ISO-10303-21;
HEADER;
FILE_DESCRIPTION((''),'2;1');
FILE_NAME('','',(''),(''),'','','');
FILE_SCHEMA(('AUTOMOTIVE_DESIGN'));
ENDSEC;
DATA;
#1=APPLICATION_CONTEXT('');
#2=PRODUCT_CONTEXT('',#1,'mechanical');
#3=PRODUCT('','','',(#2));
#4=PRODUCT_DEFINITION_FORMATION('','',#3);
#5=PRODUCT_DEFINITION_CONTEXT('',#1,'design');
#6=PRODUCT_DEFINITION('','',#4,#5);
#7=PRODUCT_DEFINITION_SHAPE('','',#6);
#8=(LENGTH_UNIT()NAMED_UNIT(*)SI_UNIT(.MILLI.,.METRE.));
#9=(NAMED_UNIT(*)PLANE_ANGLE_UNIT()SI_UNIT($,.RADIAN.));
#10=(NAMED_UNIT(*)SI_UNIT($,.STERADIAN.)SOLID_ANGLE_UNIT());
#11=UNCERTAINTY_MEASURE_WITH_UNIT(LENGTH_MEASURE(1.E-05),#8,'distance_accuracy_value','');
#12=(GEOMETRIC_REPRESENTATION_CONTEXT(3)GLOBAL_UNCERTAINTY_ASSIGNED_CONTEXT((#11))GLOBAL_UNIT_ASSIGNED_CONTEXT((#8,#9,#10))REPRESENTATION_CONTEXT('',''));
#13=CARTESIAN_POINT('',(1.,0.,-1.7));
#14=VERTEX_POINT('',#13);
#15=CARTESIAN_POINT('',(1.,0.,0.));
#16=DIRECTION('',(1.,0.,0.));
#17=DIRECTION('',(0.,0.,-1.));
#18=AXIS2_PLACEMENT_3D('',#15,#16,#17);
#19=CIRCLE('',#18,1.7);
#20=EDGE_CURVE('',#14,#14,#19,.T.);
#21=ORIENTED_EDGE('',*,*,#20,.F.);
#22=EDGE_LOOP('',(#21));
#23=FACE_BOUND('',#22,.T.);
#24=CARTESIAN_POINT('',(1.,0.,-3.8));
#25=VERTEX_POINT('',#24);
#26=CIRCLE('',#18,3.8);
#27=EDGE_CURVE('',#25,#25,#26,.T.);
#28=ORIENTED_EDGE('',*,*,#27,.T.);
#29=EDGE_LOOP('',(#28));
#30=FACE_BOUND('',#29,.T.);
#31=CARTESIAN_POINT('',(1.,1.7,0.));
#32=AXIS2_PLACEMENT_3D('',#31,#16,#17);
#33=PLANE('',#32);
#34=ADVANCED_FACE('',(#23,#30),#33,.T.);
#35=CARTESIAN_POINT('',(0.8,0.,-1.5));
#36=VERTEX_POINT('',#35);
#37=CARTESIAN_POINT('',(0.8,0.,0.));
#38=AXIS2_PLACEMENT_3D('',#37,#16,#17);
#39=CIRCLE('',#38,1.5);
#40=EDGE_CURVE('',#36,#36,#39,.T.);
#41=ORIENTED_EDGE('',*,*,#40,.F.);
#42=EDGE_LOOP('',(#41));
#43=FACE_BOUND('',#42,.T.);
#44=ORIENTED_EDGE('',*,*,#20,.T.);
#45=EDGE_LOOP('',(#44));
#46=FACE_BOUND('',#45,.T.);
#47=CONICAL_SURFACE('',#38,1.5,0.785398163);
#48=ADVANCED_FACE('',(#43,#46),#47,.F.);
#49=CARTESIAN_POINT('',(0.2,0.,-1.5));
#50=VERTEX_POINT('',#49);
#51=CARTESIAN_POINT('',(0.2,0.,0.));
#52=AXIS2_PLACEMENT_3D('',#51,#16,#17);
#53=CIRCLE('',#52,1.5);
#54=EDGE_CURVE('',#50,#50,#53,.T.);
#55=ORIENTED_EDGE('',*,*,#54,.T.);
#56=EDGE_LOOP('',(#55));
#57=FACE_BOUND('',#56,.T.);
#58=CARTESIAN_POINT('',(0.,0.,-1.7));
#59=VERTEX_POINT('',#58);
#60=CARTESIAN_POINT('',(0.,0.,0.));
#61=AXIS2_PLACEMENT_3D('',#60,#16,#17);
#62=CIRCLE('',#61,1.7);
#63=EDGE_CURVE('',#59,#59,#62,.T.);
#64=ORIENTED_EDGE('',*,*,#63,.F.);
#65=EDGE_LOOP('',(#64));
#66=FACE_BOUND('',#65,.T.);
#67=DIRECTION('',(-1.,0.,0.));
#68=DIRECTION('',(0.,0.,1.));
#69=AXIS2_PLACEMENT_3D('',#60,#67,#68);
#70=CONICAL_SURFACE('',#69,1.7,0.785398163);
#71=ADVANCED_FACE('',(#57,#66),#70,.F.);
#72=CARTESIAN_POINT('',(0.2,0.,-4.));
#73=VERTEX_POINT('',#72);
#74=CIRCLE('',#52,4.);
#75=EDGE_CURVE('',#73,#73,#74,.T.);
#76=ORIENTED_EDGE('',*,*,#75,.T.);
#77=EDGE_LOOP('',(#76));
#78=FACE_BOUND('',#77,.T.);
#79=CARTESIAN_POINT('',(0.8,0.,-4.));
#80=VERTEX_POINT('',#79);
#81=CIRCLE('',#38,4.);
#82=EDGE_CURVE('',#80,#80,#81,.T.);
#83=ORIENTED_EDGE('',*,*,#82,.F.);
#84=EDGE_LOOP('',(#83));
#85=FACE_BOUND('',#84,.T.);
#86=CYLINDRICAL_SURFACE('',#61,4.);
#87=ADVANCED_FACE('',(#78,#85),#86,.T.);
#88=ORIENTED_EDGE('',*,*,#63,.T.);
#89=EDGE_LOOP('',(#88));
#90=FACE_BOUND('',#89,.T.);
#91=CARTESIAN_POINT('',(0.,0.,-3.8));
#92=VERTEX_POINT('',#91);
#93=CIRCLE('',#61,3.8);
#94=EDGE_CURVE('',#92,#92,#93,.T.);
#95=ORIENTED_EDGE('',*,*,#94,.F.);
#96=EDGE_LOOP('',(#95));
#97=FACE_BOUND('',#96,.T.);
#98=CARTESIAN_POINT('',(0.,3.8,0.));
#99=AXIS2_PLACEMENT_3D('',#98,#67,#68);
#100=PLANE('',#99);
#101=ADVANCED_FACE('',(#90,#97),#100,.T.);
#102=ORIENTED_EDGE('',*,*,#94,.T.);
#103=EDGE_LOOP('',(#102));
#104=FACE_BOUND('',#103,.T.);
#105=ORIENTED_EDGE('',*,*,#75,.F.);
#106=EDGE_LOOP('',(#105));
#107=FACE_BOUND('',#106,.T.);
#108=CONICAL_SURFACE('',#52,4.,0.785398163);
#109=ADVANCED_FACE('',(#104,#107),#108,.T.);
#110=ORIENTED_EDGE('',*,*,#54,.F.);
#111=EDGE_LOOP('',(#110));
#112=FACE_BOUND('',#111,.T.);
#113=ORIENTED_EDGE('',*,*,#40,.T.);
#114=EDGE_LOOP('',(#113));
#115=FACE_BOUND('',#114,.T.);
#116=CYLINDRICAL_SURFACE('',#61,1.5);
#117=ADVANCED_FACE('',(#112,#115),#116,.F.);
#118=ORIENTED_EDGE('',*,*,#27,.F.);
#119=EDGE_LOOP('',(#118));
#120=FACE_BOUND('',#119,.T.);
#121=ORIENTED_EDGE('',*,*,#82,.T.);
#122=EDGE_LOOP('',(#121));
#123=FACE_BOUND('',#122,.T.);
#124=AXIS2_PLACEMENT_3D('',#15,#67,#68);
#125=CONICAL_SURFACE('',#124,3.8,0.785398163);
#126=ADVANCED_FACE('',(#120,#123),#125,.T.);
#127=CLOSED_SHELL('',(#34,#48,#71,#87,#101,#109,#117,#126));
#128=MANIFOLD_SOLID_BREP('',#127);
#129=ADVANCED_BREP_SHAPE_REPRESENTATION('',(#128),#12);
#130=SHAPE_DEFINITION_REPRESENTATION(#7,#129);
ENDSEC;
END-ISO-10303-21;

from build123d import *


with BuildPart() as part:
    # Sketch1 → Revolve1 (revolve)
    with BuildSketch(Plane.XY):
        Polygon((0, 3.8), (0, 1.7), (0.2, 1.5), (0.8, 1.5), (1, 1.7), (1, 3.8), (0.8, 4), (0.2, 4), align=None)
    revolve(axis=Axis((0, 0, 0), (1, 0, 0)))


solid = part.part
